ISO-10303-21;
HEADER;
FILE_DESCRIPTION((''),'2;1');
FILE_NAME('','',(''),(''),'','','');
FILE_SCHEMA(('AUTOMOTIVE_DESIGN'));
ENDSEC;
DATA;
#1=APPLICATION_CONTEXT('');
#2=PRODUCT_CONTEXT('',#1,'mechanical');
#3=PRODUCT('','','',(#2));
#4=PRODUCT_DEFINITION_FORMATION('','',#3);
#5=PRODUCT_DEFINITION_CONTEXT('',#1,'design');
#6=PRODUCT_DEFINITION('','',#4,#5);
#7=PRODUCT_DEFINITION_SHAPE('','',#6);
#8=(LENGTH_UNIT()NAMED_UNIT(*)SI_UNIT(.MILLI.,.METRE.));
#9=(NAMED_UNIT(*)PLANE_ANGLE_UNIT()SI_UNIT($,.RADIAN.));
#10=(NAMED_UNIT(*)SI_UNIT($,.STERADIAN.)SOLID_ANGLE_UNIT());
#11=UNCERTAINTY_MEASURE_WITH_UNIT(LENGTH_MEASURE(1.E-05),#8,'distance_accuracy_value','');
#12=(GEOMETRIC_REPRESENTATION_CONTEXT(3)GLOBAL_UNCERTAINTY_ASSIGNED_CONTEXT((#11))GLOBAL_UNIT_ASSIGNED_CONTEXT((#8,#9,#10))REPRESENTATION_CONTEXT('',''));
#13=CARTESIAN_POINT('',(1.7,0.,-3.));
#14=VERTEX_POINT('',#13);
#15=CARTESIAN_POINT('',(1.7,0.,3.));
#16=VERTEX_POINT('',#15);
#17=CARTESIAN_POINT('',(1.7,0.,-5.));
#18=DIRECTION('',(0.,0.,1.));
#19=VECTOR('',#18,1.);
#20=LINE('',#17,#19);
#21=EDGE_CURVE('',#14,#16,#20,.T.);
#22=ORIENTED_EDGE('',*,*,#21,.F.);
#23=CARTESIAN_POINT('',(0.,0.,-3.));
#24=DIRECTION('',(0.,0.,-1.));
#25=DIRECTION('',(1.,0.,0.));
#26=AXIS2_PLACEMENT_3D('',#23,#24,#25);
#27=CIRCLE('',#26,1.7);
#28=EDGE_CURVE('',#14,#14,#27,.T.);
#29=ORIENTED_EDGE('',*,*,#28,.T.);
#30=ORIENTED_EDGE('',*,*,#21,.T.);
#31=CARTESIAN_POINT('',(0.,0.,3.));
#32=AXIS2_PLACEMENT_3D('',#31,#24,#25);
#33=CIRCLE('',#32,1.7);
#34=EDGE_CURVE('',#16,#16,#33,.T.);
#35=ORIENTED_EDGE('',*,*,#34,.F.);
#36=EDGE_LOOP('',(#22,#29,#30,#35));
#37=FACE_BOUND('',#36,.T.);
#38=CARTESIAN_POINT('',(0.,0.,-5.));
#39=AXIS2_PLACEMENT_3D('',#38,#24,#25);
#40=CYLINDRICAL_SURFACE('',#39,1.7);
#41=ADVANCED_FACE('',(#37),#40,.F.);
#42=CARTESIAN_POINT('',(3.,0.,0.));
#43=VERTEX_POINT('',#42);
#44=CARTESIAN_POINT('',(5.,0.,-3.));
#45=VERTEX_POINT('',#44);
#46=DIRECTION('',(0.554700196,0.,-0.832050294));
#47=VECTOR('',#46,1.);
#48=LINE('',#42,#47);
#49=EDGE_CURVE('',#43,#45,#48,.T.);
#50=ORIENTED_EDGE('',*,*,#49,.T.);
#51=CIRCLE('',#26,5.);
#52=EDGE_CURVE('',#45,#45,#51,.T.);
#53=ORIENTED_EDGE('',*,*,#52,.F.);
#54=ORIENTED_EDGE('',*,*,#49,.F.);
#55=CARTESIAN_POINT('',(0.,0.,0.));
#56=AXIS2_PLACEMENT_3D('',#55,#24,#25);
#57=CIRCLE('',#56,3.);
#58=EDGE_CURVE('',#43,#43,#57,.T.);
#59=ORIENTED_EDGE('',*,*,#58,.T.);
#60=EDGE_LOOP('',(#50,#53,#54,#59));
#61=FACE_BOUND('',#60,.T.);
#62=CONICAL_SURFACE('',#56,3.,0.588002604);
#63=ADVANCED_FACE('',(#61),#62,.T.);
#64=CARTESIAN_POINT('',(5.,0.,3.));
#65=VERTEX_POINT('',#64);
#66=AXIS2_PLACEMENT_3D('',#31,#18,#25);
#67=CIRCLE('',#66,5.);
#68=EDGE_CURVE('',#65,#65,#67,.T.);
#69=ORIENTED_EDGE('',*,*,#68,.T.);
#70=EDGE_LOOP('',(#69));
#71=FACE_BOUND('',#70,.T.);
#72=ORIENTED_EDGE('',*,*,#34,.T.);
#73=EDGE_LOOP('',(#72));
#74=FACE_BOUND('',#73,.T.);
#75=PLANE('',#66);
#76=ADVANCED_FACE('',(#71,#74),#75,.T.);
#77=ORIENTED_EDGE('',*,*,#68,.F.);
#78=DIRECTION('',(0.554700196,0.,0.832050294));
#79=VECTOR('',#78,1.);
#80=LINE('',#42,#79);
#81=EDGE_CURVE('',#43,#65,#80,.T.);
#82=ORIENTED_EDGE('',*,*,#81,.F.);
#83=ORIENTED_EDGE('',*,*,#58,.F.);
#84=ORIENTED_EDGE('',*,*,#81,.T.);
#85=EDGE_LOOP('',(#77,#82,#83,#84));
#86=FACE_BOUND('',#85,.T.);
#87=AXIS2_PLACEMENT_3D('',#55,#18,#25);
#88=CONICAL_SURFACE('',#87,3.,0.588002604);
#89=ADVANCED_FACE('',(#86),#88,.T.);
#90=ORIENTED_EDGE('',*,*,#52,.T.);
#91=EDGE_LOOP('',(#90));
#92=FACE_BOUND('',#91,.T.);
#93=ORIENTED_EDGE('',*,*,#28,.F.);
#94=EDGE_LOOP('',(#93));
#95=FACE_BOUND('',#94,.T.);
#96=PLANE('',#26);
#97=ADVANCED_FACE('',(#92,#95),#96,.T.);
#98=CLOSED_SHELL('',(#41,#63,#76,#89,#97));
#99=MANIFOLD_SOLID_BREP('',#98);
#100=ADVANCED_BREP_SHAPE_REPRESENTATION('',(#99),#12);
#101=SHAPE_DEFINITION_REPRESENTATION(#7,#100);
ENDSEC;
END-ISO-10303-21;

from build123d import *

# Parameters (mm, degrees)
CYLINDER_R     = 1.7
CYLINDER_DEPTH = 10


with BuildPart() as cilindro:
    # Cylinder → Cylinder (new body)
    with BuildSketch(Plane.XY.offset(-5)):
        Circle(CYLINDER_R)
    extrude(amount=CYLINDER_DEPTH)


with BuildPart() as cono:
    # Cone → Cone (revolve)
    with BuildSketch(Plane.XZ):
        Polygon((0, 0), (3, 0), (5, 3), (0, 3), align=None)
    revolve(axis=Axis((0, 0, 0), (0, 0, 1)))


with BuildPart() as tensioner:
    # Cone001 → Cone001 (revolve)
    with BuildSketch(Plane(origin=(0, 0, 0), x_dir=(1, 0, 0), z_dir=(0, 1, 0))):
        Polygon((0, 0), (3, 0), (5, 3), (0, 3), align=None)
    revolve(axis=Axis((0, 0, 0), (0, 0, -1)))

    # Fusion: union Cono
    add(cono.part)

    # Cut: cut Cilindro
    add(cilindro.part, mode=Mode.SUBTRACT)


solid = tensioner.part
